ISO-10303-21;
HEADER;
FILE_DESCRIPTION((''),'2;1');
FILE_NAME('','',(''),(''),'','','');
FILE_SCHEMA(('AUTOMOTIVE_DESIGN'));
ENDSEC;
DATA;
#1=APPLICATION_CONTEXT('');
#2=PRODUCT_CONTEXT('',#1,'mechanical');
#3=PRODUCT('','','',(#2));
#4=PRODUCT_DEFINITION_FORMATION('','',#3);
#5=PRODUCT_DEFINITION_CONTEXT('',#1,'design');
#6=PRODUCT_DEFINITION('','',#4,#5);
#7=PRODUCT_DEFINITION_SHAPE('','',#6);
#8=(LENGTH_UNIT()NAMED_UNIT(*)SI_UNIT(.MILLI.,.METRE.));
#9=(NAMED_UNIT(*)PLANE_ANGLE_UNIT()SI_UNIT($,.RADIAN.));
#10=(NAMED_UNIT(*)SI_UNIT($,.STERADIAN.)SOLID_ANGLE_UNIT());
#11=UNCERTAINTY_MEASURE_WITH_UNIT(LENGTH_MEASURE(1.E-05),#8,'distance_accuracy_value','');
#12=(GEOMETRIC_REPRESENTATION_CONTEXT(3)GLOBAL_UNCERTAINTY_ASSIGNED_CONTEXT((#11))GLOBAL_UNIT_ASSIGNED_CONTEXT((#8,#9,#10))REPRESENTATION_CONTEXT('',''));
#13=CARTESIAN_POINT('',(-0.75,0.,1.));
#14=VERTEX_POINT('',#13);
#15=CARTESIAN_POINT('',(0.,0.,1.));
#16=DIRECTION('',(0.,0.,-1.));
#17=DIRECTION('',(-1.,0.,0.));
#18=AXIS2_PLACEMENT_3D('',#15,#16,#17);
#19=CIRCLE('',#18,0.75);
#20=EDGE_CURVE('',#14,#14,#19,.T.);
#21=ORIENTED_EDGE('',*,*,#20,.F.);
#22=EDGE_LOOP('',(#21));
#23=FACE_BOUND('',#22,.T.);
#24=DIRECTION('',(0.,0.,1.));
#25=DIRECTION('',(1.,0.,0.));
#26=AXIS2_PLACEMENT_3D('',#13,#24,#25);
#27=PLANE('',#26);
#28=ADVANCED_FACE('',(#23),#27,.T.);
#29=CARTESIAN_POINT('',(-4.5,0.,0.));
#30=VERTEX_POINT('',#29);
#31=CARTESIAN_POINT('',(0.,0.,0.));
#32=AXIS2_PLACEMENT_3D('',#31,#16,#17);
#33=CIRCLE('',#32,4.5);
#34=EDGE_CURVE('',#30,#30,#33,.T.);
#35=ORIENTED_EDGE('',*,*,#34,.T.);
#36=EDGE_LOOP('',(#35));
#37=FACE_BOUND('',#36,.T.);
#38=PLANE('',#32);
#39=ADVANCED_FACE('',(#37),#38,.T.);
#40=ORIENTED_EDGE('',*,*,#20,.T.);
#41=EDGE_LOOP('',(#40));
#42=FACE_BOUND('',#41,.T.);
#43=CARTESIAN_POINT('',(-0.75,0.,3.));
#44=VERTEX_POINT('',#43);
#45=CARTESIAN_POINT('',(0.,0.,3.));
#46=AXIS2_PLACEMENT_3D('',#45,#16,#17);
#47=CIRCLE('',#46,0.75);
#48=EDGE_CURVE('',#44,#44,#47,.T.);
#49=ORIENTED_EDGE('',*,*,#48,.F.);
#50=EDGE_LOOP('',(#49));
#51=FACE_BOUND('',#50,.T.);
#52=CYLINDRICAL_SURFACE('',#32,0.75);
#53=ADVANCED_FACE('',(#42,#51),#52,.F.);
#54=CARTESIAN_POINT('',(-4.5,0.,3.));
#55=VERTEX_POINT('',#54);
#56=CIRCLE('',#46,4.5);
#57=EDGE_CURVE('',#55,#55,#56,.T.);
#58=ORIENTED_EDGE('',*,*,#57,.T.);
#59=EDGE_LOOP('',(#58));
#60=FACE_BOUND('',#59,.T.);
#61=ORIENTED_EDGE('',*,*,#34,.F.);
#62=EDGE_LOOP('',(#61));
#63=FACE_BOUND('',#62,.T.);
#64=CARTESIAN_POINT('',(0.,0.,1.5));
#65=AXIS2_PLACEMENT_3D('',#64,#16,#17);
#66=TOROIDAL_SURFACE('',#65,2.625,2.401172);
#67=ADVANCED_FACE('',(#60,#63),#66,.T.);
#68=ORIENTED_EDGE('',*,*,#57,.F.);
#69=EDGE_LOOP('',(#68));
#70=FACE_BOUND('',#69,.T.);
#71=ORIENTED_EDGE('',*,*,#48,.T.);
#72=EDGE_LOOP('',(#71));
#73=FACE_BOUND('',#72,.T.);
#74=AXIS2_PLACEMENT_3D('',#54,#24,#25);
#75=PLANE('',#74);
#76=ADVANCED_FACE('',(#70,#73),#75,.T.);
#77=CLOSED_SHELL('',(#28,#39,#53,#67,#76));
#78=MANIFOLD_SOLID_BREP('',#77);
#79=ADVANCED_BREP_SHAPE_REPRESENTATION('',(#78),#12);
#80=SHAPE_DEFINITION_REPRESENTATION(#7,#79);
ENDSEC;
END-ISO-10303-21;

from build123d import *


with BuildPart() as part:
    # Эскиз1 → Повернуть2 (revolve)
    with BuildSketch(Plane(origin=(0, 0, 0), x_dir=(1, 0, 0), z_dir=(0, 1, 0))):
        with BuildLine():
            Line((-4.5, -3), (-0.75, -3))
            Line((-0.75, -3), (-0.75, -1))
            Line((-0.75, -1), (0, -1))
            Line((0, -1), (0, 0))
            Line((0, 0), (-4.5, 0))
            ThreePointArc((-4.5, 0), (-5.026171589, -1.5), (-4.5, -3))
        make_face()
    revolve(axis=Axis((0, 0, 0), (0, 0, 1)))


solid = part.part
